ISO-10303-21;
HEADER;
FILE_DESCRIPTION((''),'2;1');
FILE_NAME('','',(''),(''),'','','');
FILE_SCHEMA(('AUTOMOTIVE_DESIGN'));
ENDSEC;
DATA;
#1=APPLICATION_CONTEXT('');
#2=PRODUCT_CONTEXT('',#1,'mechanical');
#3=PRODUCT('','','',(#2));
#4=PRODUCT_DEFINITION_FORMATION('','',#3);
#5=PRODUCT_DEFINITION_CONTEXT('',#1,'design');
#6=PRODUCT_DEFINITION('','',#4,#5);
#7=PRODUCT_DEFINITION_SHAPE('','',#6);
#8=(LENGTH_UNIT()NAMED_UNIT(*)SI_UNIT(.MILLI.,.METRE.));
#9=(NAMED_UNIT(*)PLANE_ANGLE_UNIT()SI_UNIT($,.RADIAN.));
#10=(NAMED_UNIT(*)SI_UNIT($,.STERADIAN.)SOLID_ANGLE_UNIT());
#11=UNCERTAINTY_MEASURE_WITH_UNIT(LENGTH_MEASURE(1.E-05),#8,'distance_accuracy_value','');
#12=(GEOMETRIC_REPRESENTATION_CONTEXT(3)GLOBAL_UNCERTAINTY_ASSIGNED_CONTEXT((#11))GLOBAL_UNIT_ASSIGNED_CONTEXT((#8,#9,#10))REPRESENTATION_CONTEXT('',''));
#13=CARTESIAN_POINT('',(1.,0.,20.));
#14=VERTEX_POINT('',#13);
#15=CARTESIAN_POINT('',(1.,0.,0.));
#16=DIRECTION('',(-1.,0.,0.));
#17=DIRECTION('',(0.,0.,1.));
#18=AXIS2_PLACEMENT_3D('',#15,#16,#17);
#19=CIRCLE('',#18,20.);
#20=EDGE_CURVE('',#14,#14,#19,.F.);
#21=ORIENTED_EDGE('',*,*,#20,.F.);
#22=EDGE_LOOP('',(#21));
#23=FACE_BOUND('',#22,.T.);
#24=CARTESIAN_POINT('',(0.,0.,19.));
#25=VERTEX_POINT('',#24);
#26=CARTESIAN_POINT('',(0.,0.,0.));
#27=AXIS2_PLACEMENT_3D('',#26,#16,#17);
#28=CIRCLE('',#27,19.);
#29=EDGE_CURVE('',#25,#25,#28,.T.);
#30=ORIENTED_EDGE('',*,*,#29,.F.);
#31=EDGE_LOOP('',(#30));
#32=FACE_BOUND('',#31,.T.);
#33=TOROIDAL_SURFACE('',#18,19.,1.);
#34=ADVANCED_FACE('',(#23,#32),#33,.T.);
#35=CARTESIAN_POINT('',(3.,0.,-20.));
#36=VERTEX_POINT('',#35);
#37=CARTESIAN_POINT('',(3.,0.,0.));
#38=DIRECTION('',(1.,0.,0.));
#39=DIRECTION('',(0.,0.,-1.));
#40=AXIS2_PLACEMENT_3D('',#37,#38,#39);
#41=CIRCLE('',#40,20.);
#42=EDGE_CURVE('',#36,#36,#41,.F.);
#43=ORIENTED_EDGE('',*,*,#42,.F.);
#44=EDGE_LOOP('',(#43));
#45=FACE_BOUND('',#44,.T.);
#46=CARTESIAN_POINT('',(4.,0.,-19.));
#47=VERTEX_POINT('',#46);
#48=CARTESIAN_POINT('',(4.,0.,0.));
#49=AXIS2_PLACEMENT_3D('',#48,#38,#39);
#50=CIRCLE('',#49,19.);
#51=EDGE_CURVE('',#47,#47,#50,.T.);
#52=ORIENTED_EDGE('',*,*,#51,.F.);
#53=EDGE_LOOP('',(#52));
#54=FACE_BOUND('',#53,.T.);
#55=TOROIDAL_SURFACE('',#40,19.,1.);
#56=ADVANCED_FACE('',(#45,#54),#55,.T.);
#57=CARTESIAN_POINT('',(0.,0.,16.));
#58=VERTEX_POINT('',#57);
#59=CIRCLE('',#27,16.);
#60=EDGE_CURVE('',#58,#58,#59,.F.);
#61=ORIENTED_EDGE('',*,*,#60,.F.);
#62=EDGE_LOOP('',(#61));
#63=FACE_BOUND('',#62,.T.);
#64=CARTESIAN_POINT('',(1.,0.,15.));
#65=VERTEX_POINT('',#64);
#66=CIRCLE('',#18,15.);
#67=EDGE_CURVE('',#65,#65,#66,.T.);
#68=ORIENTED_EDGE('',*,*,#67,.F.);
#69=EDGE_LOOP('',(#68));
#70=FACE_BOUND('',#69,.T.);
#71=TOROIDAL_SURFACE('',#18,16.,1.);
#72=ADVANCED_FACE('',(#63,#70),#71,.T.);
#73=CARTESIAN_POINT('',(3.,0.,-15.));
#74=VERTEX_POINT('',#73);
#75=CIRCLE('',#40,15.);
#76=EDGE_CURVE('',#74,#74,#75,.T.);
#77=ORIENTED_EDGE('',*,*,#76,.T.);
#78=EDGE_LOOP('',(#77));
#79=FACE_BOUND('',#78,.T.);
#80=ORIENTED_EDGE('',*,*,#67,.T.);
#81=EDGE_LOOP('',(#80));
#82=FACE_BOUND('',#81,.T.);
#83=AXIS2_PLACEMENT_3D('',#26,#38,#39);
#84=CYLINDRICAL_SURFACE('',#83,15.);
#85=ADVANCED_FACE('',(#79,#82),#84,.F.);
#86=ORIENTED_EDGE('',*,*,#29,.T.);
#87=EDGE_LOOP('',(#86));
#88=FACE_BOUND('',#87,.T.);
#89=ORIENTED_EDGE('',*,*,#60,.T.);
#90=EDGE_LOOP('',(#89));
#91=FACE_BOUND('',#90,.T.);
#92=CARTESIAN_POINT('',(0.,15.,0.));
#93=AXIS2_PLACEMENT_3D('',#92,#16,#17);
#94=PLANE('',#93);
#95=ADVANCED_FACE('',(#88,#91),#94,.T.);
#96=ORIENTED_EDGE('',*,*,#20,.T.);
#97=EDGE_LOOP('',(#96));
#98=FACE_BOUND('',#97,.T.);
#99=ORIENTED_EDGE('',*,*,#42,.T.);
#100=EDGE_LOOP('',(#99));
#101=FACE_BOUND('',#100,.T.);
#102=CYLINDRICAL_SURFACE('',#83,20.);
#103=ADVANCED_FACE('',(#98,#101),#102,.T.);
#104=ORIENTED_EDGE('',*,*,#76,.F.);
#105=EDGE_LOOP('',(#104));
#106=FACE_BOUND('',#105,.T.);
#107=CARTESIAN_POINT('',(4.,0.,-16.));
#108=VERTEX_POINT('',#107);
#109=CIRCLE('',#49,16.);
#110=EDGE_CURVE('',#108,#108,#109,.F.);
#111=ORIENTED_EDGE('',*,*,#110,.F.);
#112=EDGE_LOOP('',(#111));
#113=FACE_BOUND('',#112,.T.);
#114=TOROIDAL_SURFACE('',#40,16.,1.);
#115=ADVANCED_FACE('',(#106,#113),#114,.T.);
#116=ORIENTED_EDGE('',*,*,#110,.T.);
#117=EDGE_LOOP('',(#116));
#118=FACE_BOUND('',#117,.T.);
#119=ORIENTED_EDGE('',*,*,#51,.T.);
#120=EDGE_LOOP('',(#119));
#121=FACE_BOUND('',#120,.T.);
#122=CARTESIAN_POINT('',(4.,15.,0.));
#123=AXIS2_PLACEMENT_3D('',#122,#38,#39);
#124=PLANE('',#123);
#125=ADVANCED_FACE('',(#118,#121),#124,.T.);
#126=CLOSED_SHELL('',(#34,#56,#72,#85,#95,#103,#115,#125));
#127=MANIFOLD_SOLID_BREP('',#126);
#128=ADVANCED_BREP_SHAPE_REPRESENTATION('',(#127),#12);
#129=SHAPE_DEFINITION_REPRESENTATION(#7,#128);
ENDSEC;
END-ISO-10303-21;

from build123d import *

# Parameters (mm, degrees)
ESQUISSE1_W = 4
ESQUISSE1_H = 5
CONG_1_R    = 1


with BuildPart() as part:
    # Esquisse1 → Base-Révolution (revolve)
    with BuildSketch(Plane.XY, mode=Mode.PRIVATE) as base_r_volution_sk:
        with Locations((2, 17.5)):
            Rectangle(ESQUISSE1_W, ESQUISSE1_H)
    revolve(base_r_volution_sk.sketch.rotate(Axis((0, 0, 0), (-1, 0, 0)), 90), axis=Axis((0, 0, 0), (-1, 0, 0)))

    # Congé1
    cong_1_edges = [part.edges().sort_by_distance(p)[0] for p in [
        (0, 0, 15),
        (4, 0, 15),
        (4, 0, 20),
        (0, 0, 20),
    ]]
    fillet(cong_1_edges, radius=CONG_1_R)


solid = part.part
